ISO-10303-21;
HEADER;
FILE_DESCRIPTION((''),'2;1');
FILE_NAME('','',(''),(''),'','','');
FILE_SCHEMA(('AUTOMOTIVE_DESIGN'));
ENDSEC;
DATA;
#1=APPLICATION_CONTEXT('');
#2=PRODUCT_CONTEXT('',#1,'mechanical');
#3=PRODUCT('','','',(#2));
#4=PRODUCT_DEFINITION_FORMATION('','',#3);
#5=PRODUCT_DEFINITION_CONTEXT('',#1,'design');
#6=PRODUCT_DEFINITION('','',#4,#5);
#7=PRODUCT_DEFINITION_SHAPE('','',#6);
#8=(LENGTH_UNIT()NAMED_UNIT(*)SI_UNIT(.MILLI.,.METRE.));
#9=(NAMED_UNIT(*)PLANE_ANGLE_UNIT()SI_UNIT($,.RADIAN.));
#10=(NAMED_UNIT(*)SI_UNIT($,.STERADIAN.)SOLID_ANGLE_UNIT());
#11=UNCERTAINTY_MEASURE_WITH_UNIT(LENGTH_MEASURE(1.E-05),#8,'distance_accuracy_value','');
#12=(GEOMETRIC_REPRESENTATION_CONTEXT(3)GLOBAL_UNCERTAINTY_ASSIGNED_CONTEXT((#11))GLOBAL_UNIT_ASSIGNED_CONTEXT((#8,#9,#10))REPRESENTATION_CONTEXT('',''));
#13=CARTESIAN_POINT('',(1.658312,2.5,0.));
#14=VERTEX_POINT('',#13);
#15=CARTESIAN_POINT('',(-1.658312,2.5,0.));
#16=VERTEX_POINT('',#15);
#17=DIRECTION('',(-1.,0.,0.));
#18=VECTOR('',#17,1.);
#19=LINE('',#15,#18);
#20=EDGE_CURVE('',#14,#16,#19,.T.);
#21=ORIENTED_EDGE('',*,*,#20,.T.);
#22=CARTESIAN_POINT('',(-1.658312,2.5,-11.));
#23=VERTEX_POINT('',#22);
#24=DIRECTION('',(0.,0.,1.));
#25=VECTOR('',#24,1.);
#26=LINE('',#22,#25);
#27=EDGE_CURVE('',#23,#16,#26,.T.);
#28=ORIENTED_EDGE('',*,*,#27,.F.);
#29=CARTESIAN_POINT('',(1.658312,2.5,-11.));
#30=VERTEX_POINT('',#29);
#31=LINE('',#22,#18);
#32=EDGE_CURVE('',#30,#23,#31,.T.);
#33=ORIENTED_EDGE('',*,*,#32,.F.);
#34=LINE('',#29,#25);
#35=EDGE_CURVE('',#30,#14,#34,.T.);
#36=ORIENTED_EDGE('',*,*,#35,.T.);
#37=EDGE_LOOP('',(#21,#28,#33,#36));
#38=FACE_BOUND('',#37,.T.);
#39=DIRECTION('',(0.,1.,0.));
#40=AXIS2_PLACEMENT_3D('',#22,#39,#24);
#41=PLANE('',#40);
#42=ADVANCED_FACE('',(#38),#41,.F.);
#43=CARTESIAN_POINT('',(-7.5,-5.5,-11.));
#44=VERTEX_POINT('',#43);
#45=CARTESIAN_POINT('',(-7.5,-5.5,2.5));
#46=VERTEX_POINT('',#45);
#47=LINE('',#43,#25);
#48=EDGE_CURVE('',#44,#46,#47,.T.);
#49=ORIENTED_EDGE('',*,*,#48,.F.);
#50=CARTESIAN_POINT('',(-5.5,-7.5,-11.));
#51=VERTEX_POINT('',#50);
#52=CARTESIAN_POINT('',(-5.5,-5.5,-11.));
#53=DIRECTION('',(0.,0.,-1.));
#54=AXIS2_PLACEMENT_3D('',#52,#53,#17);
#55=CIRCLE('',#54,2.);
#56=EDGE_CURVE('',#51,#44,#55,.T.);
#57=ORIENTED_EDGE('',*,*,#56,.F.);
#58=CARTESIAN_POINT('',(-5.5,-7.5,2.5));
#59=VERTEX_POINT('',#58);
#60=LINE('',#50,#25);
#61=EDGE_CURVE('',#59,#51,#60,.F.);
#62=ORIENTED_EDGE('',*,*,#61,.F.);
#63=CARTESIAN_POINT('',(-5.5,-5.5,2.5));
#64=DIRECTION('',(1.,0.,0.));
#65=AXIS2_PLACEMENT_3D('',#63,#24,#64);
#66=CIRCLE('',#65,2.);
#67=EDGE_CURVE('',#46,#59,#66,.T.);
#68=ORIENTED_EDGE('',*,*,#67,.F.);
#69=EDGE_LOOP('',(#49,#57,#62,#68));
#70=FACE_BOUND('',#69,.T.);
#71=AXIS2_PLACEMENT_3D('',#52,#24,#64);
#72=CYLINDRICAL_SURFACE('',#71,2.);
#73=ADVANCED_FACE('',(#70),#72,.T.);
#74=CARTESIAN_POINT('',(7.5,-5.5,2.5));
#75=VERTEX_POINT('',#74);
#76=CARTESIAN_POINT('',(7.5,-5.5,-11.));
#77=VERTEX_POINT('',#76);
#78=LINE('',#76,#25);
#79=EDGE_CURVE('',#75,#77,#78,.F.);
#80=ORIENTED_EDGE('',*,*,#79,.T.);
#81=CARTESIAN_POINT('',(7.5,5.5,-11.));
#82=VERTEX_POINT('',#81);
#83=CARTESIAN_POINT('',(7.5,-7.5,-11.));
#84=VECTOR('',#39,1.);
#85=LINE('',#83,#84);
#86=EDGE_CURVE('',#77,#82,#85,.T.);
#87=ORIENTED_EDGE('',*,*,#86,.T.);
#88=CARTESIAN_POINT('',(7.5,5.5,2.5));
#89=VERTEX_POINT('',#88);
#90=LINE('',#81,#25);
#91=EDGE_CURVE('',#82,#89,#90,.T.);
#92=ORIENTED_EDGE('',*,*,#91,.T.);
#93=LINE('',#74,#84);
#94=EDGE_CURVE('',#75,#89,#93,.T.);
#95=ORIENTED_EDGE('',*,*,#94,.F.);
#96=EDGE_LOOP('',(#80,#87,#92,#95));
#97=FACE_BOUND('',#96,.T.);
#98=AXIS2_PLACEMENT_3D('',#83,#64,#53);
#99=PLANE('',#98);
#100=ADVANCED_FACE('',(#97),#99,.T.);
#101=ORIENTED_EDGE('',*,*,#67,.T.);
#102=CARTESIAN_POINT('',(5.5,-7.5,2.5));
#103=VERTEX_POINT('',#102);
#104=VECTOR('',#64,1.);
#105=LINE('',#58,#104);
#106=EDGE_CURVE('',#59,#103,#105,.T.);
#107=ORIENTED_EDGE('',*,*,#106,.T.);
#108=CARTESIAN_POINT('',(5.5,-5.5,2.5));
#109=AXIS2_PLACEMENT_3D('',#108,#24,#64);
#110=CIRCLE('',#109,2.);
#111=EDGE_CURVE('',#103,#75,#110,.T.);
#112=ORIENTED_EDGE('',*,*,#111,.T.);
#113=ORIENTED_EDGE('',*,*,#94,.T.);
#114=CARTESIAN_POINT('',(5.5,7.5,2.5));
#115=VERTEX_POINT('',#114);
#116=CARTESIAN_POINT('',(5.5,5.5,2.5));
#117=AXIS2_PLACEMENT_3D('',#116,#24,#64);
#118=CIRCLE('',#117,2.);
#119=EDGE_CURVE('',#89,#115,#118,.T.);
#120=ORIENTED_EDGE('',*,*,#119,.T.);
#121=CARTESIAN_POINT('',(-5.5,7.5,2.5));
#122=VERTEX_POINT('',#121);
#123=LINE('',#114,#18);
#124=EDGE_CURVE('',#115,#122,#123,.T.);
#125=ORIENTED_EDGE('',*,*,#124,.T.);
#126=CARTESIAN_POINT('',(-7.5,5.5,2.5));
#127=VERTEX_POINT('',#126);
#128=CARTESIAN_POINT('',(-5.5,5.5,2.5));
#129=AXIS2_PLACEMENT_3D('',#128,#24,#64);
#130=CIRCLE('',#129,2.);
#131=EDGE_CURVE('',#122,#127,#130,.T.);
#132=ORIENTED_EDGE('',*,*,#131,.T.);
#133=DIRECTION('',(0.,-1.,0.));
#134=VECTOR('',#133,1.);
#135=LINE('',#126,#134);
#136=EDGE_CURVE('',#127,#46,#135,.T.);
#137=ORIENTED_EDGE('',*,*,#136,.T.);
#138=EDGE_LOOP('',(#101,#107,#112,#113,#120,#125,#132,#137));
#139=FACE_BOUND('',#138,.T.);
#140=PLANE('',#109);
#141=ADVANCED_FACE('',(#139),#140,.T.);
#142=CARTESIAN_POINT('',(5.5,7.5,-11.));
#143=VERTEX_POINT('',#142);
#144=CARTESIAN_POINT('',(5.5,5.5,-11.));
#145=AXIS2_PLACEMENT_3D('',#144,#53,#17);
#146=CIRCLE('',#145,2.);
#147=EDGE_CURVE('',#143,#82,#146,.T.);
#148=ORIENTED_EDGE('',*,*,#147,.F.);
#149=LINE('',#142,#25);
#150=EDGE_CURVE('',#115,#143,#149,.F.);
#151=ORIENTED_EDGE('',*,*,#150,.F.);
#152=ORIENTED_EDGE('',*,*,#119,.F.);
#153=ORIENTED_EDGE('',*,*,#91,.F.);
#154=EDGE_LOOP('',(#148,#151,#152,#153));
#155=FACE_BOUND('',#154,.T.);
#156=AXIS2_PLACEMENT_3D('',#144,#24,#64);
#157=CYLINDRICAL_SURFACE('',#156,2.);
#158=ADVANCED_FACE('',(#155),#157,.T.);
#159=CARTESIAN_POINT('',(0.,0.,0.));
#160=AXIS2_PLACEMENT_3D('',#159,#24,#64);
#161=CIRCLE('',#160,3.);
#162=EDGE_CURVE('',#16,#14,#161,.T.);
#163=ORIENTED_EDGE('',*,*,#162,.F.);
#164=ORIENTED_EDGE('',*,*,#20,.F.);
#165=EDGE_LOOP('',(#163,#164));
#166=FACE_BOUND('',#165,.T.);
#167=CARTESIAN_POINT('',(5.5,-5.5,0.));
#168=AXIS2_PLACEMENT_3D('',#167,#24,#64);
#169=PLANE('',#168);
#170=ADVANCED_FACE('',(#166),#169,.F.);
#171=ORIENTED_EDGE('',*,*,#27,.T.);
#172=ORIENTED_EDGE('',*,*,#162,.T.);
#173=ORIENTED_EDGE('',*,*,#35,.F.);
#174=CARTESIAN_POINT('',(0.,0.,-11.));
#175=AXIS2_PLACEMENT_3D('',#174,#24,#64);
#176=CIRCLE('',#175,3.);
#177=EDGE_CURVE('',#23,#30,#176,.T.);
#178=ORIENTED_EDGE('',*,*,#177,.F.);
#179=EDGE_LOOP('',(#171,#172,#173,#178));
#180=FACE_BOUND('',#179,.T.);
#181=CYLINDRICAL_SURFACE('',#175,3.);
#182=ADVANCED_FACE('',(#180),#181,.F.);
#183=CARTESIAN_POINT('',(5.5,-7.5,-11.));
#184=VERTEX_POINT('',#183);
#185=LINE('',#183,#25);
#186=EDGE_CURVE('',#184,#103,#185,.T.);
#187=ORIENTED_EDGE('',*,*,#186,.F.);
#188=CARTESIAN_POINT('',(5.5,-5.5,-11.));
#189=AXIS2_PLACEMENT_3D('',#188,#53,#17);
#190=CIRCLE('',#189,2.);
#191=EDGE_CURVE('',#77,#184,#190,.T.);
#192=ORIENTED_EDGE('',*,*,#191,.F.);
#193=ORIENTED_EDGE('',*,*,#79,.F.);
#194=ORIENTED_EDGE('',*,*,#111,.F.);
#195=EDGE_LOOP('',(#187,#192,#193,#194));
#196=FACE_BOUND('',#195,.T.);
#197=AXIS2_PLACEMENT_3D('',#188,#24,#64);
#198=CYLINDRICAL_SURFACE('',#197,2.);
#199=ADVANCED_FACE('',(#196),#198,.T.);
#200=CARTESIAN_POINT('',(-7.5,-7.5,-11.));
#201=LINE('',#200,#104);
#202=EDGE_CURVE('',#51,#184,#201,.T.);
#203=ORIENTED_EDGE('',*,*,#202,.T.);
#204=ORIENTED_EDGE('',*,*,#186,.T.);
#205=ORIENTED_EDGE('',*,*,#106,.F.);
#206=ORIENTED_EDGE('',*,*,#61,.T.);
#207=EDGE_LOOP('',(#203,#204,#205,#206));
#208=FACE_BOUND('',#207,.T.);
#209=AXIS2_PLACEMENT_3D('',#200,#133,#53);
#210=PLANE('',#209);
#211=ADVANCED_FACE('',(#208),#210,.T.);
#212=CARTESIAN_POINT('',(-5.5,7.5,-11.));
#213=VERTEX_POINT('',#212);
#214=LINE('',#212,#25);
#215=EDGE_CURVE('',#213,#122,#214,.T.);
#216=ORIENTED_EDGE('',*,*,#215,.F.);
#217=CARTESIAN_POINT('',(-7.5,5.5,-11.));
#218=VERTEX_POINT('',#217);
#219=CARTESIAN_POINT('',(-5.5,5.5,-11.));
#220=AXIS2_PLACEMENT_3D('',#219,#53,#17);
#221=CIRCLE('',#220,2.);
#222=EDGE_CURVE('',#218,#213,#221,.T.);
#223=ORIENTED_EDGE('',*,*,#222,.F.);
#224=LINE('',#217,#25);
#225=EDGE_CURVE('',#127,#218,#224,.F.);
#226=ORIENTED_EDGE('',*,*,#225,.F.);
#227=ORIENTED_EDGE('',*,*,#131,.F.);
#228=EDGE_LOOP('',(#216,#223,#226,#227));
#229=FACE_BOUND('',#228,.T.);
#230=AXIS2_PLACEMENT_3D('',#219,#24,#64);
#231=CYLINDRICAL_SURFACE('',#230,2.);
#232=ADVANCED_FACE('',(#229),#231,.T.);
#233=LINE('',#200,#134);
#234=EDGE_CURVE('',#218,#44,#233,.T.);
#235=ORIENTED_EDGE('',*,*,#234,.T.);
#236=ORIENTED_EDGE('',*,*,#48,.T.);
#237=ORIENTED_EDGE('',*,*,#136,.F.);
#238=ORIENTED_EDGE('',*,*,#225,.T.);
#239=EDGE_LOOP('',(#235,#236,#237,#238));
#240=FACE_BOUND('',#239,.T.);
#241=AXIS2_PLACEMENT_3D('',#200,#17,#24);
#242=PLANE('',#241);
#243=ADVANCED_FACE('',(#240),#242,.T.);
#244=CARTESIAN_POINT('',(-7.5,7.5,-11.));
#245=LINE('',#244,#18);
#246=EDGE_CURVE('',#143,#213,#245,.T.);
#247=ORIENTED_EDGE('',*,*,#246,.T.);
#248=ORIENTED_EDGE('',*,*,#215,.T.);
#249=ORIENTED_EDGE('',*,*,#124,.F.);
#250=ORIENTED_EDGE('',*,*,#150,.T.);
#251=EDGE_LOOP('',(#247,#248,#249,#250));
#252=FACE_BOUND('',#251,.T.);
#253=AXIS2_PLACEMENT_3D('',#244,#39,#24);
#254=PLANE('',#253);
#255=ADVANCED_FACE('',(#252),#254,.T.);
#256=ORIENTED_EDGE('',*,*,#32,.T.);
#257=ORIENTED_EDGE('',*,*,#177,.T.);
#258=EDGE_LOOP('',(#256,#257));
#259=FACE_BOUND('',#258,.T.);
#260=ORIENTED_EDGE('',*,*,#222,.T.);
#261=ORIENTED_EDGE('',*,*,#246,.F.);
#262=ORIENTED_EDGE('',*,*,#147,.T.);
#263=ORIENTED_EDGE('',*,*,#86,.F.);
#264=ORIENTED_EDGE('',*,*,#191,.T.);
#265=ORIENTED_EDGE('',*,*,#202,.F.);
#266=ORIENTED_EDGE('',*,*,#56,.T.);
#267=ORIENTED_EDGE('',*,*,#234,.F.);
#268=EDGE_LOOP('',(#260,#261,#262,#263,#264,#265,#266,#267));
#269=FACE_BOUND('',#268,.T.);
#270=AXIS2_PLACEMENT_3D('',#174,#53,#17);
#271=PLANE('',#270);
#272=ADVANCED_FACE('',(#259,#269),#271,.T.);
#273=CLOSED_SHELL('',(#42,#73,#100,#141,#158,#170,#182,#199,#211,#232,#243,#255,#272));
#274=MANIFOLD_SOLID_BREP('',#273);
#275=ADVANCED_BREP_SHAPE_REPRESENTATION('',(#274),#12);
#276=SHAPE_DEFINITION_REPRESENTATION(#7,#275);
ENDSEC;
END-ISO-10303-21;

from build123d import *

# Parameters (mm, degrees)
SKETCH1_W           = 15
SKETCH1_H           = 15
BOSS_EXTRUDE1_DEPTH = 11
FILLET1_R           = 2
BOSS_EXTRUDE2_DEPTH = 2.5


with BuildPart() as part:
    # Sketch1 → Boss-Extrude1 (new body)
    with BuildSketch(Plane.XY):
        Rectangle(SKETCH1_W, SKETCH1_H)
        with BuildLine():
            Line((-1.658312395, 2.5), (1.658312395, 2.5))
            ThreePointArc((1.658312395, 2.5), (0, -3), (-1.658312395, 2.5))
        make_face(mode=Mode.SUBTRACT)
    extrude(amount=-BOSS_EXTRUDE1_DEPTH)

    # Fillet1
    fillet1_edges = [part.edges().sort_by_distance(p)[0] for p in [
        (7.5, -7.5, -5.5),
        (-7.5, -7.5, -5.5),
        (-7.5, 7.5, -5.5),
        (7.5, 7.5, -5.5),
    ]]
    fillet(fillet1_edges, radius=FILLET1_R)

    # Sketch2 → Boss-Extrude2 (add)
    with BuildSketch(Plane.XY):
        with BuildLine():
            Line((7.5, -5.5), (7.5, 5.5))
            ThreePointArc((7.5, 5.5), (6.914213562, 6.914213562), (5.5, 7.5))
            Line((5.5, 7.5), (-5.5, 7.5))
            ThreePointArc((-5.5, 7.5), (-6.914213562, 6.914213562), (-7.5, 5.5))
            Line((-7.5, 5.5), (-7.5, -5.5))
            ThreePointArc((-7.5, -5.5), (-6.914213562, -6.914213562), (-5.5, -7.5))
            Line((-5.5, -7.5), (5.5, -7.5))
            ThreePointArc((5.5, -7.5), (6.914213562, -6.914213562), (7.5, -5.5))
        make_face()
    extrude(amount=BOSS_EXTRUDE2_DEPTH)


solid = part.part
